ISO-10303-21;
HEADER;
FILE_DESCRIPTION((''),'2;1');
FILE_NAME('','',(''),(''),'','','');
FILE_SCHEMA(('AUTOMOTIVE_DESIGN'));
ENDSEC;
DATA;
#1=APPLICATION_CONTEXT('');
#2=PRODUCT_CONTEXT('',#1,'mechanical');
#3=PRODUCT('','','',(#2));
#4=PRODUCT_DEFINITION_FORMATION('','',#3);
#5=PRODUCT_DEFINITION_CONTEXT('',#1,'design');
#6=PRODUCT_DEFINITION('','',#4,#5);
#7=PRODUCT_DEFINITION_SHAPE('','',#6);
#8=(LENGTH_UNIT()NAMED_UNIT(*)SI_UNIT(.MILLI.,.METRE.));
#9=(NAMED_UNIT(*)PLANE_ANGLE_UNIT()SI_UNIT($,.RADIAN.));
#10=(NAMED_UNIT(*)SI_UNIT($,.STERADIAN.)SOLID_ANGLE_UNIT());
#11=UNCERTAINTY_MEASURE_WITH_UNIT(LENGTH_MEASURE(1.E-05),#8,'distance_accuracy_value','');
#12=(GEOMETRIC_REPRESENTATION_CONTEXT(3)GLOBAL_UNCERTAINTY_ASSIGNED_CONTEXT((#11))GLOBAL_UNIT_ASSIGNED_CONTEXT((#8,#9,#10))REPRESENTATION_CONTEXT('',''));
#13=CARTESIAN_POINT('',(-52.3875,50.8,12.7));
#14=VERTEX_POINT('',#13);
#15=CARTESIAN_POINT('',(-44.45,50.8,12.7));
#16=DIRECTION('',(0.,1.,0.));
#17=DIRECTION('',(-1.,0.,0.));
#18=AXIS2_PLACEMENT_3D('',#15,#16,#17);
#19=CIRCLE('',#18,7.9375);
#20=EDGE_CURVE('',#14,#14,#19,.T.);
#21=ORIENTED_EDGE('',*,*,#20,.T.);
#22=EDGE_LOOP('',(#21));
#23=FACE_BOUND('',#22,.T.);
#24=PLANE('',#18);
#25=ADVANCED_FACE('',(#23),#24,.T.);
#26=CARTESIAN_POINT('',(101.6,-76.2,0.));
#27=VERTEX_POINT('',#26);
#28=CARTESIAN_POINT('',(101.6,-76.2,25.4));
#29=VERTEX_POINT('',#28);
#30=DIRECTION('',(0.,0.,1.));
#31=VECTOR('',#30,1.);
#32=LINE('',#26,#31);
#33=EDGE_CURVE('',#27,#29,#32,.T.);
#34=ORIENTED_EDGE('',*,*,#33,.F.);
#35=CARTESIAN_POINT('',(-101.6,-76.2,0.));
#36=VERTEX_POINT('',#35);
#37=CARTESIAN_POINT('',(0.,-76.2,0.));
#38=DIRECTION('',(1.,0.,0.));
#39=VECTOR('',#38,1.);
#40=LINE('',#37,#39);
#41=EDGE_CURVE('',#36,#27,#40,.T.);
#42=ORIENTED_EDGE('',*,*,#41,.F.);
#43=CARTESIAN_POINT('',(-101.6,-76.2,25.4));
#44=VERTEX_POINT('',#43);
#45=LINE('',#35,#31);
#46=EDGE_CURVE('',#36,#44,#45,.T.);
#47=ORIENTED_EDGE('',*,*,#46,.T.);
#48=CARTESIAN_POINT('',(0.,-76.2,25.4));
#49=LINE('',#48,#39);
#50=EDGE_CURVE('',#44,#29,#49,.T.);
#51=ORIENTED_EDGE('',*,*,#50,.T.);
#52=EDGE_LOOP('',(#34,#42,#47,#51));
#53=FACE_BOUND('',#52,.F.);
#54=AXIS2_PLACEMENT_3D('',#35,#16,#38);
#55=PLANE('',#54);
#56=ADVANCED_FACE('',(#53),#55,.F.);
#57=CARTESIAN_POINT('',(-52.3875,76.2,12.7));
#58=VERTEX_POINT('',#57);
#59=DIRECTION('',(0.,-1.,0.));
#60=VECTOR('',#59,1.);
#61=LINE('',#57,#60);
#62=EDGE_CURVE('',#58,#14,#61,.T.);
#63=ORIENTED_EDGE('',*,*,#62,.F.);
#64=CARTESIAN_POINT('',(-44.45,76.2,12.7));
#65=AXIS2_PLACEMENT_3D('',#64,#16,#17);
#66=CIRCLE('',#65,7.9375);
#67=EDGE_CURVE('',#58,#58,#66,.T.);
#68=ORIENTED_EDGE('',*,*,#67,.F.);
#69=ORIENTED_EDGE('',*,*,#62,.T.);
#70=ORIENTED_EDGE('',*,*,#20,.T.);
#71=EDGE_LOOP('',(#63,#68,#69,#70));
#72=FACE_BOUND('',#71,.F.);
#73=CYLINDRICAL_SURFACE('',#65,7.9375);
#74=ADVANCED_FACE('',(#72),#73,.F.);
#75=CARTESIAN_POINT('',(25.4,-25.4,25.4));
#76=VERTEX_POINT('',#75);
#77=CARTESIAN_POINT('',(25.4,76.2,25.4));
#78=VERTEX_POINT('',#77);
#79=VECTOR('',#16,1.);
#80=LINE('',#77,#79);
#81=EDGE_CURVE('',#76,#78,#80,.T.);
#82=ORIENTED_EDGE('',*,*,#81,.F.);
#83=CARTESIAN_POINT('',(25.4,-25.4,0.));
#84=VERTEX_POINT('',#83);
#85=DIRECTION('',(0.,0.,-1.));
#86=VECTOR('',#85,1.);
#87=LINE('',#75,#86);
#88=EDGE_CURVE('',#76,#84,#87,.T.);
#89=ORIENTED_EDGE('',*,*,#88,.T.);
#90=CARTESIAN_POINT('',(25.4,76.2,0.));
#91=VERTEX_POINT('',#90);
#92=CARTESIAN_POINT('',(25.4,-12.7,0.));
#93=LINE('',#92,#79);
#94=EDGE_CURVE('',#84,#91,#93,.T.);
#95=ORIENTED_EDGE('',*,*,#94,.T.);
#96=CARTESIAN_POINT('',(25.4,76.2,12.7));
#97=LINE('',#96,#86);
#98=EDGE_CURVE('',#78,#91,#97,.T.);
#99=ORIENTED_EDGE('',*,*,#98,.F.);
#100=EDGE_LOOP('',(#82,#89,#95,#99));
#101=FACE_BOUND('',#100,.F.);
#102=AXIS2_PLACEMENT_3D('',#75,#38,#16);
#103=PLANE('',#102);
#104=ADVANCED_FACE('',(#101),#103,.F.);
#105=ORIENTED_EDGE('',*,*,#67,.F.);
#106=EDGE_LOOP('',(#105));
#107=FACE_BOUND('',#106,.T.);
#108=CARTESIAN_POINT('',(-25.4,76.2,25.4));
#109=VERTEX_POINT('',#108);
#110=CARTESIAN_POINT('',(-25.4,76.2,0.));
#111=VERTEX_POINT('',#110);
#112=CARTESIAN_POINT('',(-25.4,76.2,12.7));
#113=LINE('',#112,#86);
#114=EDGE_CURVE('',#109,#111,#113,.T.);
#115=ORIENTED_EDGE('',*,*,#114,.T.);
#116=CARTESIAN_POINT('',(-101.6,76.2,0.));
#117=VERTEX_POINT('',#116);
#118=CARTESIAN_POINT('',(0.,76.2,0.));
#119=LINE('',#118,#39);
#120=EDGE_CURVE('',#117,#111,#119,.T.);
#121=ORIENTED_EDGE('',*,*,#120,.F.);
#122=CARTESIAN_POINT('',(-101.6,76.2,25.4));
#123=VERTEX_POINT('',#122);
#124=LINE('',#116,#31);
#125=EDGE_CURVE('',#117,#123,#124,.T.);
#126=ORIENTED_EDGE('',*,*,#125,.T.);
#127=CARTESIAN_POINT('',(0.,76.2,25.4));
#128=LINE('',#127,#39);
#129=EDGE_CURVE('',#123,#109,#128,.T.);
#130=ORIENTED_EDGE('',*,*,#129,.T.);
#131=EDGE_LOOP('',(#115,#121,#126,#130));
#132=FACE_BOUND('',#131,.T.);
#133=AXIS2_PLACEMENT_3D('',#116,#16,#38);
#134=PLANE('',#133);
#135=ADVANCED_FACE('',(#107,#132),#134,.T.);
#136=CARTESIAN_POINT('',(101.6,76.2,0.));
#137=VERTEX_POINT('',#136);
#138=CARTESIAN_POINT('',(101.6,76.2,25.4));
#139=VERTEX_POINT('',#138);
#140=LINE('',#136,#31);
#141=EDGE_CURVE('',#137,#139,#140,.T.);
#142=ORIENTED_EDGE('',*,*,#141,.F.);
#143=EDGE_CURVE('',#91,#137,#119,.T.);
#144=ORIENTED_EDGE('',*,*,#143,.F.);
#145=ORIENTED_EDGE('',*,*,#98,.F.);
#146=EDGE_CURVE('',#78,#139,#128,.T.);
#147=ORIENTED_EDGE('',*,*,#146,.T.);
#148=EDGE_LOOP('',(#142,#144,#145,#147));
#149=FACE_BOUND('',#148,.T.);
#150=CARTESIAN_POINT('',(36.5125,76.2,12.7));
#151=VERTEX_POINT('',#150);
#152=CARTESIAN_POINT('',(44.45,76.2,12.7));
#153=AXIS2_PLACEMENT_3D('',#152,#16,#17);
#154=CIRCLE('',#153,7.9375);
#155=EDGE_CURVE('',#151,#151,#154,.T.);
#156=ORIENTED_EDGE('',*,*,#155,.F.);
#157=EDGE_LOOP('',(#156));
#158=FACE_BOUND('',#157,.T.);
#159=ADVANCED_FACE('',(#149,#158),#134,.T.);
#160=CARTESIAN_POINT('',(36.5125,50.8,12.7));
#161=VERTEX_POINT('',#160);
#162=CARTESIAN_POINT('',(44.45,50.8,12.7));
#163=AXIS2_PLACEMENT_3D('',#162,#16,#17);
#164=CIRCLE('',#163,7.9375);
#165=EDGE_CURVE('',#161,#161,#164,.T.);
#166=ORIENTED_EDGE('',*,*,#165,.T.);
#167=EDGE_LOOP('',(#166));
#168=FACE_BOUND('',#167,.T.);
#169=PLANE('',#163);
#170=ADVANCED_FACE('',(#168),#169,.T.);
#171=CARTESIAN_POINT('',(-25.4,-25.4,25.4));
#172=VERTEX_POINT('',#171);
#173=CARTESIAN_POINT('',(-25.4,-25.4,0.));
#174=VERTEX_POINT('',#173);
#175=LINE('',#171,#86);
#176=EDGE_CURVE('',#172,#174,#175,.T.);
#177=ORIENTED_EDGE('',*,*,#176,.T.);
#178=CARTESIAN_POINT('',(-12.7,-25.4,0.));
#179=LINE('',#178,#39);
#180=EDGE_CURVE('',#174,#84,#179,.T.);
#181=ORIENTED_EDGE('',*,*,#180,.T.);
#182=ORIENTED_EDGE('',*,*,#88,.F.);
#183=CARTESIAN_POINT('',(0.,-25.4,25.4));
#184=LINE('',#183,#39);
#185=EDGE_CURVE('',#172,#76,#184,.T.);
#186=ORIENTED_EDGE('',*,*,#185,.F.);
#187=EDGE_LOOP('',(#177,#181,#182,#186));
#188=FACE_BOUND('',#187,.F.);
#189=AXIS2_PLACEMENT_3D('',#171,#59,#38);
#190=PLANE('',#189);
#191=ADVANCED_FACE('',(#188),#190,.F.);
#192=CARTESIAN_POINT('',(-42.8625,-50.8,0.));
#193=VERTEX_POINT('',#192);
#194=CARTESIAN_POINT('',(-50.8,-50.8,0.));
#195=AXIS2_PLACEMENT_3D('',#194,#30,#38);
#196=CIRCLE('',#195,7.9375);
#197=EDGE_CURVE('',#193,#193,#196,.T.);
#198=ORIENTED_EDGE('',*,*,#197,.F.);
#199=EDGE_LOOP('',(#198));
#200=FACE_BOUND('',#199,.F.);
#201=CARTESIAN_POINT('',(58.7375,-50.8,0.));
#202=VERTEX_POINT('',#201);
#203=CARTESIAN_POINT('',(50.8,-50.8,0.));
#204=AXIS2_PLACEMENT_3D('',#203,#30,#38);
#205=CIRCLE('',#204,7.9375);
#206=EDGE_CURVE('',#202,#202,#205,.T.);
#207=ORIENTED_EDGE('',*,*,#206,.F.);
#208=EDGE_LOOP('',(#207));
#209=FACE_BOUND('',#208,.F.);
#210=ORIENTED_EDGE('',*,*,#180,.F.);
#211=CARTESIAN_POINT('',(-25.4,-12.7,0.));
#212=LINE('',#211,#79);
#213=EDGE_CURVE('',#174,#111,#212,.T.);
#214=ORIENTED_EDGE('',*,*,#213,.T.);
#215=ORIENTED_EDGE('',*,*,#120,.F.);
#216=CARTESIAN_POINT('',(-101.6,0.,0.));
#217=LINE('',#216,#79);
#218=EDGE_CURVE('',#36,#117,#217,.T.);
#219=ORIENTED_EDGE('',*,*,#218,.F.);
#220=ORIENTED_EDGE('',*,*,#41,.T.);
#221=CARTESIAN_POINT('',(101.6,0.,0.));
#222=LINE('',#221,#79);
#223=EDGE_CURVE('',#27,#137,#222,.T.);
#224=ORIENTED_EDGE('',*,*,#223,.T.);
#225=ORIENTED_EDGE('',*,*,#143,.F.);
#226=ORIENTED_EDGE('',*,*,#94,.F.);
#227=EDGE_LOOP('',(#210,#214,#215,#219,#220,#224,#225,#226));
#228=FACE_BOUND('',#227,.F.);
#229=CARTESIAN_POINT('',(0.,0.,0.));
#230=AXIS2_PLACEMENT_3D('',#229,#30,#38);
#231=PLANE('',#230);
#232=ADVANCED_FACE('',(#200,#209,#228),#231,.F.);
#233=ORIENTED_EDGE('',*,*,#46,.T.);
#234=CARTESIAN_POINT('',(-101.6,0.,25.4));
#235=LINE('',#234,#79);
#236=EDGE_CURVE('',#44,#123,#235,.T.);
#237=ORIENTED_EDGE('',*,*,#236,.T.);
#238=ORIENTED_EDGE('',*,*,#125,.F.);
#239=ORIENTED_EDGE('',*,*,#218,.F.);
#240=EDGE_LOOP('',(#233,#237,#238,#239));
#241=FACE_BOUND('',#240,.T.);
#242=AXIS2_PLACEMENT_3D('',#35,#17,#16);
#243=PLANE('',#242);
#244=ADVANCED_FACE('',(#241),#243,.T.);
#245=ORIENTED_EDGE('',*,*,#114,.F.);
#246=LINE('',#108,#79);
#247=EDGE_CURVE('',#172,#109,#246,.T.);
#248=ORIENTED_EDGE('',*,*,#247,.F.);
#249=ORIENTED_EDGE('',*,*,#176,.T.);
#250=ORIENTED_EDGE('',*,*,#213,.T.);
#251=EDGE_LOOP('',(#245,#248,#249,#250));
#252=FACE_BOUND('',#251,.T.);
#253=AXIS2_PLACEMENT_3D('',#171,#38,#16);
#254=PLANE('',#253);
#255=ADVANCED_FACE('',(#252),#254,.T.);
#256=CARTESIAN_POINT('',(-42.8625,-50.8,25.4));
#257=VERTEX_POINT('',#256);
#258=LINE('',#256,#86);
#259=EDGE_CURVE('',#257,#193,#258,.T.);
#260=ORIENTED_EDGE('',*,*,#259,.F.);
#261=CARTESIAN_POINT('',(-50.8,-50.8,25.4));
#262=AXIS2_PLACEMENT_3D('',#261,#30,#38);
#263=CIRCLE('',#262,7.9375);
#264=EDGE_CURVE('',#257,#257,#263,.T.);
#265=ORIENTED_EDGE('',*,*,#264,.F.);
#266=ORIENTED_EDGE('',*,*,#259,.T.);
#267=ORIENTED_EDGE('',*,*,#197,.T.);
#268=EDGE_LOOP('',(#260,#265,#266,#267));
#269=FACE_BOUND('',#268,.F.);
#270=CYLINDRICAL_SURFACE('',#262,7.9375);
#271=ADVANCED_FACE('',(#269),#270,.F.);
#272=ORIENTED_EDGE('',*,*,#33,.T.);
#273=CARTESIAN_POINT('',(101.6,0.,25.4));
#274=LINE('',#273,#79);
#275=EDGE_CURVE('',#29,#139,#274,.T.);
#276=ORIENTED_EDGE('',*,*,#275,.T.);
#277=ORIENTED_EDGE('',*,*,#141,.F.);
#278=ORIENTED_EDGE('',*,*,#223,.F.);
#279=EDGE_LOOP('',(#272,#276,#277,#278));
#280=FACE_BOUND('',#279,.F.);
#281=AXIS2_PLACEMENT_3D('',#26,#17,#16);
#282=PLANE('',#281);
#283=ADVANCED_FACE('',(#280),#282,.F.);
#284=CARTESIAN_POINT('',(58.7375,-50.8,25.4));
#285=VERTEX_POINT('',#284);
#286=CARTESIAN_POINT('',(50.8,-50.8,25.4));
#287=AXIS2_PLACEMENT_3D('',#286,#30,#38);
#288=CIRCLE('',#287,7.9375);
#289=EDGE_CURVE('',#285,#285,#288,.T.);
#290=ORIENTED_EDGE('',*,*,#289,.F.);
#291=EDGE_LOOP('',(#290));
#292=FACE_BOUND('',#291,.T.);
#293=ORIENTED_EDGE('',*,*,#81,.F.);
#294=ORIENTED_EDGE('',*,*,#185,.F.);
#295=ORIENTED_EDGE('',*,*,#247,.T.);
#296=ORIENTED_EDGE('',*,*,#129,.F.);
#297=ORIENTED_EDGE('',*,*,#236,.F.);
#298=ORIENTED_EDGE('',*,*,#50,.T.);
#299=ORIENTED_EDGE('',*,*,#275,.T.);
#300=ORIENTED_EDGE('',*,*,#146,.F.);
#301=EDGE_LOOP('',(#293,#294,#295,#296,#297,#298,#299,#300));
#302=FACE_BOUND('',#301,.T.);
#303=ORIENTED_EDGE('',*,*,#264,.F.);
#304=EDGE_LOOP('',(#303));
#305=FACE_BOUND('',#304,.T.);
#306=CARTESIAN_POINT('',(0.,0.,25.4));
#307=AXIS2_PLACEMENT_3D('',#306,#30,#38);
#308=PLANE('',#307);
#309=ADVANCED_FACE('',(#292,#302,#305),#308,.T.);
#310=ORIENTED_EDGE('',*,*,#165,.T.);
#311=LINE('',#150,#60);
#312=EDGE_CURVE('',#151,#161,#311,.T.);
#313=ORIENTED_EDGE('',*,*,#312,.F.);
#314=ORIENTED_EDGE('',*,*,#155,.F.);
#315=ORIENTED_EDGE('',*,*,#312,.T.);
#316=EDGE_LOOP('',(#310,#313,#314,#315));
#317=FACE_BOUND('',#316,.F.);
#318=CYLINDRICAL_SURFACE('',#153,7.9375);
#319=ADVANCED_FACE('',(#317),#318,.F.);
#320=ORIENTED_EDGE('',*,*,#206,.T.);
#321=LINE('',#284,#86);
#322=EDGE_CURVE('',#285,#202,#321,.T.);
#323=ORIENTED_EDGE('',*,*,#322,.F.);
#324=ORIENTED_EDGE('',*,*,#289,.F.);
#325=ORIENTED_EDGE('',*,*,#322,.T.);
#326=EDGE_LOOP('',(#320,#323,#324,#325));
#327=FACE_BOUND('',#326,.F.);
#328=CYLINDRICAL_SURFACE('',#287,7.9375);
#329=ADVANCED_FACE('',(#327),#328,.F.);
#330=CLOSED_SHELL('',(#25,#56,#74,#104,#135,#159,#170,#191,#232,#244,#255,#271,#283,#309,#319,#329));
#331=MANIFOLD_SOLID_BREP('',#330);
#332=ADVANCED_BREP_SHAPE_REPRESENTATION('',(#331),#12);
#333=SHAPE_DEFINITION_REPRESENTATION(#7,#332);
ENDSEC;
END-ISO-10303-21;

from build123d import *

# Parameters (mm, degrees)
F0_W     = 203.2
F0_H     = 152.4
F0_R     = 7.9375
F1_DEPTH = 25.4
F2_W     = 50.8
F2_H     = 203.2
F3_DEPTH = 50.8
F4_R     = 7.9375
F5_DEPTH = 25.4
F6_R     = 7.9375
F7_DEPTH = 25.4


with BuildPart() as f1:
    # F0 (on Top) → F1 (new body)
    with BuildSketch(Plane.XY):
        Rectangle(F0_W, F0_H)
        Circle(F0_R, mode=Mode.SUBTRACT)
    extrude(amount=F1_DEPTH)

    # F2 (on face) → F3 (cut)
    with BuildSketch(Plane.XY.offset(25.4)):
        with Locations((0, 76.2)):
            Rectangle(F2_W, F2_H)
    extrude(amount=-F3_DEPTH, mode=Mode.SUBTRACT)

    # F4 (on face) → F5 (cut)
    with BuildSketch(Plane.XY.offset(25.4)):
        with Locations((-50.8, -50.8)):
            Circle(F4_R)
        with Locations((50.8, -50.8)):
            Circle(F4_R)
    extrude(amount=-F5_DEPTH, mode=Mode.SUBTRACT)

    # F6 (on face) → F7 (cut)
    with BuildSketch(Plane(origin=(0, 76.2, 0), x_dir=(-1, 0, 0), z_dir=(0, 1, 0))):
        with Locations((-44.45, 12.7)):
            Circle(F6_R)
        with Locations((44.45, 12.7)):
            Circle(F6_R)
    extrude(amount=-F7_DEPTH, mode=Mode.SUBTRACT)


solid = f1.part
